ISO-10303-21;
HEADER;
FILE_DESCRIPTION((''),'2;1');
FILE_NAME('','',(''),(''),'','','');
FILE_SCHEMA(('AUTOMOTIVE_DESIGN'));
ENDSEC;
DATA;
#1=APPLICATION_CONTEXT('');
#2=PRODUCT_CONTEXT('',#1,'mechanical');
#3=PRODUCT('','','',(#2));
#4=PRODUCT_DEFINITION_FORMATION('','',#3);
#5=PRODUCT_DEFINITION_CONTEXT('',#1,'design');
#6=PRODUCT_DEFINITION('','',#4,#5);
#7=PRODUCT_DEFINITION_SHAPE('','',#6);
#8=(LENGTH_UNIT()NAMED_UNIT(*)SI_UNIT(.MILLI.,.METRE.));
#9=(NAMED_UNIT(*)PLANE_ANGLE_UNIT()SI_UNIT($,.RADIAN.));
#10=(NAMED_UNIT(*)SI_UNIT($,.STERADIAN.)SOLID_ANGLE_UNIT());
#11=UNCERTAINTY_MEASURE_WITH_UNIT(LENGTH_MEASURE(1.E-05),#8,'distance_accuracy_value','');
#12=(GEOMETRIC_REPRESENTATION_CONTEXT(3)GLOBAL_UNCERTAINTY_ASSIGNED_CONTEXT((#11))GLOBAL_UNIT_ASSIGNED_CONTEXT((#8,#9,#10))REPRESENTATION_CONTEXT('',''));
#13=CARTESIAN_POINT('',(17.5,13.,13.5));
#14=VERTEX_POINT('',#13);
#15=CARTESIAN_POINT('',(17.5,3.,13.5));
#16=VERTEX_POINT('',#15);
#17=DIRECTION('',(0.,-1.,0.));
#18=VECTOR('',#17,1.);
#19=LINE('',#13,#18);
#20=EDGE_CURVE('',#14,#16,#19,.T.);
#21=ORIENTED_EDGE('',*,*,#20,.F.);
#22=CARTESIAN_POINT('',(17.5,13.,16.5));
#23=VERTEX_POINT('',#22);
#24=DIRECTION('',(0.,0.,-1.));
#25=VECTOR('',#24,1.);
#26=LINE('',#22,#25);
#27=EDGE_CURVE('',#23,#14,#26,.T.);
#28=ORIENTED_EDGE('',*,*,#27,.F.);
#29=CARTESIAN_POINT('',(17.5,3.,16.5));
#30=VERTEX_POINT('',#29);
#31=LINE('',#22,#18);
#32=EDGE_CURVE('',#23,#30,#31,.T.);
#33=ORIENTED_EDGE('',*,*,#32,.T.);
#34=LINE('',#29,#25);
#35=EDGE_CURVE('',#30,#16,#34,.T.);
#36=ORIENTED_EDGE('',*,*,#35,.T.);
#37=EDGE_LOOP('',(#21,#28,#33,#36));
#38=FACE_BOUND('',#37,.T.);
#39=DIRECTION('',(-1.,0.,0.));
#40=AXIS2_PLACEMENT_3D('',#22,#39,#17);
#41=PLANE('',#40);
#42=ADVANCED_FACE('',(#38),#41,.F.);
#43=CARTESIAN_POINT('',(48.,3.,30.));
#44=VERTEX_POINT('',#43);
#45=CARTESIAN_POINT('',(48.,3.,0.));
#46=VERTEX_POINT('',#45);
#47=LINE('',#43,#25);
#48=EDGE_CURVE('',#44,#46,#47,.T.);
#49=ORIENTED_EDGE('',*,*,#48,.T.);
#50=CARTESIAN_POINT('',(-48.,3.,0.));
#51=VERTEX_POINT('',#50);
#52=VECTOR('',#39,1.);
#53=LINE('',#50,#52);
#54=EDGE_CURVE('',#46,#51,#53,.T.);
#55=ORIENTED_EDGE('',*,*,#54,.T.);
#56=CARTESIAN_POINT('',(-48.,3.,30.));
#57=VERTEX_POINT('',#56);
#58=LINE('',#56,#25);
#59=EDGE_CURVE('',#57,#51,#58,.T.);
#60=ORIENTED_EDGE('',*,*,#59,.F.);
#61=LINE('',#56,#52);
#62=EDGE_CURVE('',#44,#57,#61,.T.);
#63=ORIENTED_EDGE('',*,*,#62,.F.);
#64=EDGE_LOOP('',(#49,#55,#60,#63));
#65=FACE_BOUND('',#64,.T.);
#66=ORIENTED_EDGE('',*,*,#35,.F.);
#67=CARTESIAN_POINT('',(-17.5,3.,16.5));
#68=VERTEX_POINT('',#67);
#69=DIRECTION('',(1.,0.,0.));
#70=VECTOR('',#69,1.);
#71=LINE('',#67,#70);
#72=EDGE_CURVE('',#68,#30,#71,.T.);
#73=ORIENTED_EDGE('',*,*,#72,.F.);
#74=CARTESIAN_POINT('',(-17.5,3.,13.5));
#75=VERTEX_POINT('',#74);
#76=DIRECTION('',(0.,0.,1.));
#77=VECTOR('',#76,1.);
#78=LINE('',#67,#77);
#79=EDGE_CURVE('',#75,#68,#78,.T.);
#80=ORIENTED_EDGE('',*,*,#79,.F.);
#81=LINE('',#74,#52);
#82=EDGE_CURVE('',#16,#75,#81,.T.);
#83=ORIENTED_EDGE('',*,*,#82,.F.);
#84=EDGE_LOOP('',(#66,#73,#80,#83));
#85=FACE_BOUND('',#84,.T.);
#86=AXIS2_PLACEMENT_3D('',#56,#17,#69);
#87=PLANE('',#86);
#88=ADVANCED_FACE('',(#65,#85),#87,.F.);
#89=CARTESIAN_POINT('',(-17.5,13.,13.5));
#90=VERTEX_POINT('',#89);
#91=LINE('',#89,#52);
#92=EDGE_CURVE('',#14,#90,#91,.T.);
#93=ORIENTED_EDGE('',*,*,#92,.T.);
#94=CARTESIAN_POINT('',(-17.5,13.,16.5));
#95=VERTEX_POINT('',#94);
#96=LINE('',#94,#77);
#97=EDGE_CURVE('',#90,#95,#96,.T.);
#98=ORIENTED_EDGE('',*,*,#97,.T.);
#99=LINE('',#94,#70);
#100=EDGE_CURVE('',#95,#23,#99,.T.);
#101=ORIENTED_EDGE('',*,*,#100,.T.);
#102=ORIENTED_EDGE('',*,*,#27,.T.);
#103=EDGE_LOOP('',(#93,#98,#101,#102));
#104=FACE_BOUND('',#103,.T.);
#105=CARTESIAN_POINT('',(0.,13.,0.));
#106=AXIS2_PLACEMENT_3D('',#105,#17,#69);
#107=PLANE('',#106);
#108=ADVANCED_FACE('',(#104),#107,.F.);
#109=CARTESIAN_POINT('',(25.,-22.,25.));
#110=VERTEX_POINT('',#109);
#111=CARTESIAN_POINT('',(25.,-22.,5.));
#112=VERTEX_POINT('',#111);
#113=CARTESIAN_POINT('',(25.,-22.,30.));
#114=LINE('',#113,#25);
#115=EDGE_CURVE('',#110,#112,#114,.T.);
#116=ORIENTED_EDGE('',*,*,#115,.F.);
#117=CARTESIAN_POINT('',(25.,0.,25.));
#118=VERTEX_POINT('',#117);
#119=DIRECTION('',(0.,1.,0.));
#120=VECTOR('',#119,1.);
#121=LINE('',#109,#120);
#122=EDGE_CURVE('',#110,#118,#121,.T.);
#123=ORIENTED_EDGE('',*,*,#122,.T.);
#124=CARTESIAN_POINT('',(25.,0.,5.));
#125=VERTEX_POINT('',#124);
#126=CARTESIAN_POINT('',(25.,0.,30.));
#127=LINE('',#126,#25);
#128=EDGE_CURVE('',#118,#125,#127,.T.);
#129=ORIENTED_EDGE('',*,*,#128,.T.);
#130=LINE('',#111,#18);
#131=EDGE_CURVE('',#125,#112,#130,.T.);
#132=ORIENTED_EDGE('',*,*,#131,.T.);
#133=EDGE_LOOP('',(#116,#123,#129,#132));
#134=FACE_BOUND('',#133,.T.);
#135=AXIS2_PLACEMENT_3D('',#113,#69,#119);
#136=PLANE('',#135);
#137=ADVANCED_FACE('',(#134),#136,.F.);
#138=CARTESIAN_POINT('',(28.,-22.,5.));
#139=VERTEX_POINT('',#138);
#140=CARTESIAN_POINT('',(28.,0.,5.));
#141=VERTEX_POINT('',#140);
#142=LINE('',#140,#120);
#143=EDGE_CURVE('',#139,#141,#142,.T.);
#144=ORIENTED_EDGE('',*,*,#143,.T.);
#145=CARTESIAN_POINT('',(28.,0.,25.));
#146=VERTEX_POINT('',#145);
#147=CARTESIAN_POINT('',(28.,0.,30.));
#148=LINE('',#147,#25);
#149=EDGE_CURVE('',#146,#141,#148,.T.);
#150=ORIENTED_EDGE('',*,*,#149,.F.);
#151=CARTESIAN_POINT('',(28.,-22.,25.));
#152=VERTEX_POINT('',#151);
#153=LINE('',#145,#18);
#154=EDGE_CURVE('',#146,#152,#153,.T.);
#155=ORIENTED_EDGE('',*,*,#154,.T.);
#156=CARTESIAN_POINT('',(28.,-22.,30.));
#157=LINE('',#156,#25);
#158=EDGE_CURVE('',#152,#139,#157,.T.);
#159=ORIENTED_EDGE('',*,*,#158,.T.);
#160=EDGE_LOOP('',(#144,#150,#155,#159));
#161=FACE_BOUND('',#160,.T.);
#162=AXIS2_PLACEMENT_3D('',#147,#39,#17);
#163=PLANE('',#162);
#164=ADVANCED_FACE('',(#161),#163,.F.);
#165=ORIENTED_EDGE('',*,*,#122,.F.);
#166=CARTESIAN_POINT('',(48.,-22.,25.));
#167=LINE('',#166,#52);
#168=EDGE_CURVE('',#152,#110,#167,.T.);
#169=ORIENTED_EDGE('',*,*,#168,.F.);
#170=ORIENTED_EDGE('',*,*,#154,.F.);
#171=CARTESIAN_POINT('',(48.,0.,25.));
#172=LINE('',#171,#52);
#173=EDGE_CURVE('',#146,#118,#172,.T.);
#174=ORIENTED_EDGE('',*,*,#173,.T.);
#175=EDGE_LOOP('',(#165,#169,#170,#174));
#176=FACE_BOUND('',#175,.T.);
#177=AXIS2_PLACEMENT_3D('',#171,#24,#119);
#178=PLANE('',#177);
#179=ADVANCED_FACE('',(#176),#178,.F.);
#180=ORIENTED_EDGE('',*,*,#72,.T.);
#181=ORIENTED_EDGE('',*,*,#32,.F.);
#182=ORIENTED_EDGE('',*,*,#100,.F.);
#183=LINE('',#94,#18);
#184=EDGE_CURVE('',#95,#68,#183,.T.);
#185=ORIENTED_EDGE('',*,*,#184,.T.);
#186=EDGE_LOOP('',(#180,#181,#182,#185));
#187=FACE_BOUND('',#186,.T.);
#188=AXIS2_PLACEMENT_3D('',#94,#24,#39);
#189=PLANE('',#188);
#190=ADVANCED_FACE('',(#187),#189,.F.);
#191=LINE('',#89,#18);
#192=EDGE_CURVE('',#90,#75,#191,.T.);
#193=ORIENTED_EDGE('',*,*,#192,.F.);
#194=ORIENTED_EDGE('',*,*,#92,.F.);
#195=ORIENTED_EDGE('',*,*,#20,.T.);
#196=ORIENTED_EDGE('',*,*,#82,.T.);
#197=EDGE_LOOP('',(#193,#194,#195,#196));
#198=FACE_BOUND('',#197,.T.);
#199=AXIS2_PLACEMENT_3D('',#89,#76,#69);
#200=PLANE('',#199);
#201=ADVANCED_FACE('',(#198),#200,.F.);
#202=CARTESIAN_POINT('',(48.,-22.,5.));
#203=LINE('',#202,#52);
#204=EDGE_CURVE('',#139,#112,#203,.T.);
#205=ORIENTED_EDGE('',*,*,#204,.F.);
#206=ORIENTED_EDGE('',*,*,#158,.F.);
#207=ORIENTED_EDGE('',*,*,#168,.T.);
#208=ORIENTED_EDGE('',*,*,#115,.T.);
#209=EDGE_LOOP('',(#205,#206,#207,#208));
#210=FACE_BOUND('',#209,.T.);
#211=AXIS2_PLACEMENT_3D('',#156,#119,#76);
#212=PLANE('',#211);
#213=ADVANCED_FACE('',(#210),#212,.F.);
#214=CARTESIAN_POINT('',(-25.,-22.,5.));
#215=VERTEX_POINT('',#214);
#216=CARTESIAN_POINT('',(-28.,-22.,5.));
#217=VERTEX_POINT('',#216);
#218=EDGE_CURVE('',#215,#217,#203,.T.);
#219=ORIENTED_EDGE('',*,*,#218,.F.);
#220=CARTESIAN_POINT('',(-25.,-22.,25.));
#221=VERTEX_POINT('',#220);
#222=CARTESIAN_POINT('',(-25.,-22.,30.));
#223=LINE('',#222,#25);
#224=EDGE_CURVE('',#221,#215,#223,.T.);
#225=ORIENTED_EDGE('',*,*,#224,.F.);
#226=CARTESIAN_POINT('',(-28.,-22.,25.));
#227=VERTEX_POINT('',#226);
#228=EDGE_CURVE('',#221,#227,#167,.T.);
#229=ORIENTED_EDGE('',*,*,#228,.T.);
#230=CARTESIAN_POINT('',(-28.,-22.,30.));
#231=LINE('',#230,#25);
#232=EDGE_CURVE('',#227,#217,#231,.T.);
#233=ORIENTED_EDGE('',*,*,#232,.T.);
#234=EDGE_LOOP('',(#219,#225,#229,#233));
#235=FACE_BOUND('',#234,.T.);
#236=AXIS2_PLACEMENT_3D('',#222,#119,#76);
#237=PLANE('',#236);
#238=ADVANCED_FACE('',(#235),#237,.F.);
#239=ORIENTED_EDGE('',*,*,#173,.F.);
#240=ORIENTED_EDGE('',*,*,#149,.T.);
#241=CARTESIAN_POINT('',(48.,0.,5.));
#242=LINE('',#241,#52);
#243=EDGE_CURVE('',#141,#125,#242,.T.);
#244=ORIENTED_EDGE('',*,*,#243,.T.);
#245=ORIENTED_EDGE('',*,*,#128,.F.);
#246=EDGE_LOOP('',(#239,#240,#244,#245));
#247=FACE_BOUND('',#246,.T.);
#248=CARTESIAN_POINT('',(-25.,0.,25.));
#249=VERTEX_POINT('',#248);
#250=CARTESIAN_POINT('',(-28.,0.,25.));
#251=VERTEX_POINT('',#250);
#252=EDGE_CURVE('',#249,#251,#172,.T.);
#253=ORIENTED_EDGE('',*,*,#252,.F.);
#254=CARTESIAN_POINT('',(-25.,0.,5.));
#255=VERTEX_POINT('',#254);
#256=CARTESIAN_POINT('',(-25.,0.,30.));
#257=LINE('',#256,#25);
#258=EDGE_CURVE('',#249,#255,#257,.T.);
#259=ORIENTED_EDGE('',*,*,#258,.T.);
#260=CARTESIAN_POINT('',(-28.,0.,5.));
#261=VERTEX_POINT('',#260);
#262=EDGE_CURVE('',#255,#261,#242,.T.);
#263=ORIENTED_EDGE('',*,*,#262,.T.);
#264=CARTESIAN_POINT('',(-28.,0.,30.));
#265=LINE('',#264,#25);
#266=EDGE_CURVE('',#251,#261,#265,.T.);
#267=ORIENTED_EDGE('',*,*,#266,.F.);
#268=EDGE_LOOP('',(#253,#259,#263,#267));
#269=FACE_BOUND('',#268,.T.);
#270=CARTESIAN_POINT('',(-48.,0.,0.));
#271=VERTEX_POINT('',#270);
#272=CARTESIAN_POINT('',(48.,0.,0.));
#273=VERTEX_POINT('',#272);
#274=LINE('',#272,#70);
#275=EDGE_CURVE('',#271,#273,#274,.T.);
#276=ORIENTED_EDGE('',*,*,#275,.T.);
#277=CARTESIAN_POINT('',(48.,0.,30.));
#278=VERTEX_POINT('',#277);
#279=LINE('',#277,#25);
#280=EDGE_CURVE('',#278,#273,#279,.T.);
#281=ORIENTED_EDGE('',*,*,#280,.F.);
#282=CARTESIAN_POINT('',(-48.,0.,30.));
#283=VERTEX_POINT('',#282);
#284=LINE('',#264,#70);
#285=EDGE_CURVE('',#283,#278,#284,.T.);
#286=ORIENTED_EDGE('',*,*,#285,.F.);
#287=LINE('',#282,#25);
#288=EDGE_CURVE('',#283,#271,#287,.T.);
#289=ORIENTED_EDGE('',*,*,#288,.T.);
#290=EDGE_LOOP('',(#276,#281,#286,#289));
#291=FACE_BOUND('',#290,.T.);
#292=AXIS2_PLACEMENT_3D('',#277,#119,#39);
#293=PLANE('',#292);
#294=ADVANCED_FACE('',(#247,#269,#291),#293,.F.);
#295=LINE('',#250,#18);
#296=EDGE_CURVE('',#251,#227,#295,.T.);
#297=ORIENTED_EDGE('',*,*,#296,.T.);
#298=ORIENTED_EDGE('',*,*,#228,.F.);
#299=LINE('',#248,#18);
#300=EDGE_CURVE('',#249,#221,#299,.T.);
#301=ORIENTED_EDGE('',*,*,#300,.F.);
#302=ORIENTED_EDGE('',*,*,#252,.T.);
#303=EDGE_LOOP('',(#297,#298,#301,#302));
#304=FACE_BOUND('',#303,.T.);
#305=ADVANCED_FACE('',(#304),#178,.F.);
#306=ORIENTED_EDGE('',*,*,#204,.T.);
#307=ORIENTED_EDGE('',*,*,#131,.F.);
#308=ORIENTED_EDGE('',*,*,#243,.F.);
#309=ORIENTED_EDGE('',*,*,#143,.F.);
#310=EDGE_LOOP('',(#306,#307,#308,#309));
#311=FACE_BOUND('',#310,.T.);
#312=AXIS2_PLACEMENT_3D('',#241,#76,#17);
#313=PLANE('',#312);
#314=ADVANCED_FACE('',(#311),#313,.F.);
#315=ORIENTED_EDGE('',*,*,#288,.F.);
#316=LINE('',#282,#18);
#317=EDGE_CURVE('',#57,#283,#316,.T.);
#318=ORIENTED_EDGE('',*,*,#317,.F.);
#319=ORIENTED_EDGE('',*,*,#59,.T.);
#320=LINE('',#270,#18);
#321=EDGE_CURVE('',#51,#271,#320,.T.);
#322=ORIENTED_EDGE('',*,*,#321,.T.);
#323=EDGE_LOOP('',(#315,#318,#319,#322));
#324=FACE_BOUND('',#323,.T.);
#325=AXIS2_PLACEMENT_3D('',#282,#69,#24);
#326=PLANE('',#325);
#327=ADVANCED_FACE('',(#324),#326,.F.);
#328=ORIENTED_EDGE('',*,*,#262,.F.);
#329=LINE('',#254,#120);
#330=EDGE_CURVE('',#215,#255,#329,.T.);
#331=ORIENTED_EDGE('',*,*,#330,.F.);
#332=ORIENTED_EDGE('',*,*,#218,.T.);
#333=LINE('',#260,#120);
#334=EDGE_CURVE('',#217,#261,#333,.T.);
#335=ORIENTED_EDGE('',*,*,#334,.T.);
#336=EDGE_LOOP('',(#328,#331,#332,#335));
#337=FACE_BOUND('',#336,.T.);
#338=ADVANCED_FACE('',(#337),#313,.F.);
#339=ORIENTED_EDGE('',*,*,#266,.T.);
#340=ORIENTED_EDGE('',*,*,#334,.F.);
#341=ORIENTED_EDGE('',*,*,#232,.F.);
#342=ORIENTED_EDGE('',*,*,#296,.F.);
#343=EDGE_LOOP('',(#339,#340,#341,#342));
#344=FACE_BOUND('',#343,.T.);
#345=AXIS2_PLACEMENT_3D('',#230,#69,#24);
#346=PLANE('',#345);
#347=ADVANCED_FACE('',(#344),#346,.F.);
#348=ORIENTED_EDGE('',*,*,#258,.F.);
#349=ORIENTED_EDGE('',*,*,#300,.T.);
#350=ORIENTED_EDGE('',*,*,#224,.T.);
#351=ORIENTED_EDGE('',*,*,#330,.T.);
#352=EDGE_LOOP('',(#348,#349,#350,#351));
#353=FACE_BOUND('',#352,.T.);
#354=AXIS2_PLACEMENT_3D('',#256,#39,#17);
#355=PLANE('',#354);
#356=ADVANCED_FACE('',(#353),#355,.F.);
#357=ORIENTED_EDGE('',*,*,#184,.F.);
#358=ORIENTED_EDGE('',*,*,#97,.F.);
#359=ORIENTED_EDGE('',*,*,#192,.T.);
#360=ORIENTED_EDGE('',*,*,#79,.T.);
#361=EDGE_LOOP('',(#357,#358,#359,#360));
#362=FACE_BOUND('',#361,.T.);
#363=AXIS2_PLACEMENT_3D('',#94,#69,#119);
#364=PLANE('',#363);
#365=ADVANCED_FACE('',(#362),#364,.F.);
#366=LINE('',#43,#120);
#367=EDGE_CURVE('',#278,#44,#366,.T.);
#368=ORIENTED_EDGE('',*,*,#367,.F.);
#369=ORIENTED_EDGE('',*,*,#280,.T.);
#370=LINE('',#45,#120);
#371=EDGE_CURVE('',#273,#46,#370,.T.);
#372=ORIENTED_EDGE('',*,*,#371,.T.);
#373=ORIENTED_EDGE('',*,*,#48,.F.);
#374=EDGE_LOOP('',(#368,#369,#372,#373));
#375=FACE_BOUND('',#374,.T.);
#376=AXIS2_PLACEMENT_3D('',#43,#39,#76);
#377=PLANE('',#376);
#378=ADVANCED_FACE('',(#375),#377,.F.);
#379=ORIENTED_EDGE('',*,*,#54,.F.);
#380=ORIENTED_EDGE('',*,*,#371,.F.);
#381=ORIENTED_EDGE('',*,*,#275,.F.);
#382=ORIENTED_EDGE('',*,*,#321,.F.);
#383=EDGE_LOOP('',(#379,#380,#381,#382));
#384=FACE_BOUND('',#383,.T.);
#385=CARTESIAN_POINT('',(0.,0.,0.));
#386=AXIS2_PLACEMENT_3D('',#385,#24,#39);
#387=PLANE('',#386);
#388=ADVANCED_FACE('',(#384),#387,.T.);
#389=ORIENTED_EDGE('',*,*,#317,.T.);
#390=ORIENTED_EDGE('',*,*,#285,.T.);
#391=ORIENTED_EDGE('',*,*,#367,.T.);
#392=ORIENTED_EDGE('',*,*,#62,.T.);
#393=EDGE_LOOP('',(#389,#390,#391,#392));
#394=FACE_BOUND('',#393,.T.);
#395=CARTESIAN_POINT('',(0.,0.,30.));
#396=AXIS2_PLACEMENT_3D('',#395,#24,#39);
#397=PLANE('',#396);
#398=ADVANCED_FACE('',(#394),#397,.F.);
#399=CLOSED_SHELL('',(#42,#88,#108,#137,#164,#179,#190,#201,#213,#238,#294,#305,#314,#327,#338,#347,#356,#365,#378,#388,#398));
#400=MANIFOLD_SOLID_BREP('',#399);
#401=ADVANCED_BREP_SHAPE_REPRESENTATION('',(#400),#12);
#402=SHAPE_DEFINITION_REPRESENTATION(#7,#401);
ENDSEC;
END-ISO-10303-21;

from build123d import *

# Parameters (mm, degrees)
BOSS_EXTRUDE1_DEPTH = 30
SKETCH2_W           = 5
SKETCH2_H           = 22
CUT_EXTRUDE1_DEPTH  = 77
SKETCH3_W           = 35
SKETCH3_H           = 3
BOSS_EXTRUDE2_DEPTH = 10


with BuildPart() as part:
    # Sketch1 → Boss-Extrude1 (new body)
    with BuildSketch(Plane.XY):
        Polygon((-48, 3), (48, 3), (48, 0), (28, 0), (28, -22), (25, -22), (25, 0), (-25, 0), (-25, -22), (-28, -22), (-28, 0), (-48, 0), align=None)
    extrude(amount=BOSS_EXTRUDE1_DEPTH)

    # Sketch2 → Cut-Extrude1 (cut, through all)
    with BuildSketch(Plane.ZY.offset(28)):
        with Locations((2.5, -11)):
            Rectangle(SKETCH2_W, SKETCH2_H)
        with Locations((27.5, -11)):
            Rectangle(SKETCH2_W, SKETCH2_H)
    extrude(amount=-CUT_EXTRUDE1_DEPTH, mode=Mode.SUBTRACT)

    # Sketch3 → Boss-Extrude2 (add)
    with BuildSketch(Plane(origin=(0, 3, 0), x_dir=(1, 0, 0), z_dir=(0, 1, 0))):
        with Locations((0, -15)):
            Rectangle(SKETCH3_W, SKETCH3_H)
    extrude(amount=BOSS_EXTRUDE2_DEPTH)


solid = part.part
